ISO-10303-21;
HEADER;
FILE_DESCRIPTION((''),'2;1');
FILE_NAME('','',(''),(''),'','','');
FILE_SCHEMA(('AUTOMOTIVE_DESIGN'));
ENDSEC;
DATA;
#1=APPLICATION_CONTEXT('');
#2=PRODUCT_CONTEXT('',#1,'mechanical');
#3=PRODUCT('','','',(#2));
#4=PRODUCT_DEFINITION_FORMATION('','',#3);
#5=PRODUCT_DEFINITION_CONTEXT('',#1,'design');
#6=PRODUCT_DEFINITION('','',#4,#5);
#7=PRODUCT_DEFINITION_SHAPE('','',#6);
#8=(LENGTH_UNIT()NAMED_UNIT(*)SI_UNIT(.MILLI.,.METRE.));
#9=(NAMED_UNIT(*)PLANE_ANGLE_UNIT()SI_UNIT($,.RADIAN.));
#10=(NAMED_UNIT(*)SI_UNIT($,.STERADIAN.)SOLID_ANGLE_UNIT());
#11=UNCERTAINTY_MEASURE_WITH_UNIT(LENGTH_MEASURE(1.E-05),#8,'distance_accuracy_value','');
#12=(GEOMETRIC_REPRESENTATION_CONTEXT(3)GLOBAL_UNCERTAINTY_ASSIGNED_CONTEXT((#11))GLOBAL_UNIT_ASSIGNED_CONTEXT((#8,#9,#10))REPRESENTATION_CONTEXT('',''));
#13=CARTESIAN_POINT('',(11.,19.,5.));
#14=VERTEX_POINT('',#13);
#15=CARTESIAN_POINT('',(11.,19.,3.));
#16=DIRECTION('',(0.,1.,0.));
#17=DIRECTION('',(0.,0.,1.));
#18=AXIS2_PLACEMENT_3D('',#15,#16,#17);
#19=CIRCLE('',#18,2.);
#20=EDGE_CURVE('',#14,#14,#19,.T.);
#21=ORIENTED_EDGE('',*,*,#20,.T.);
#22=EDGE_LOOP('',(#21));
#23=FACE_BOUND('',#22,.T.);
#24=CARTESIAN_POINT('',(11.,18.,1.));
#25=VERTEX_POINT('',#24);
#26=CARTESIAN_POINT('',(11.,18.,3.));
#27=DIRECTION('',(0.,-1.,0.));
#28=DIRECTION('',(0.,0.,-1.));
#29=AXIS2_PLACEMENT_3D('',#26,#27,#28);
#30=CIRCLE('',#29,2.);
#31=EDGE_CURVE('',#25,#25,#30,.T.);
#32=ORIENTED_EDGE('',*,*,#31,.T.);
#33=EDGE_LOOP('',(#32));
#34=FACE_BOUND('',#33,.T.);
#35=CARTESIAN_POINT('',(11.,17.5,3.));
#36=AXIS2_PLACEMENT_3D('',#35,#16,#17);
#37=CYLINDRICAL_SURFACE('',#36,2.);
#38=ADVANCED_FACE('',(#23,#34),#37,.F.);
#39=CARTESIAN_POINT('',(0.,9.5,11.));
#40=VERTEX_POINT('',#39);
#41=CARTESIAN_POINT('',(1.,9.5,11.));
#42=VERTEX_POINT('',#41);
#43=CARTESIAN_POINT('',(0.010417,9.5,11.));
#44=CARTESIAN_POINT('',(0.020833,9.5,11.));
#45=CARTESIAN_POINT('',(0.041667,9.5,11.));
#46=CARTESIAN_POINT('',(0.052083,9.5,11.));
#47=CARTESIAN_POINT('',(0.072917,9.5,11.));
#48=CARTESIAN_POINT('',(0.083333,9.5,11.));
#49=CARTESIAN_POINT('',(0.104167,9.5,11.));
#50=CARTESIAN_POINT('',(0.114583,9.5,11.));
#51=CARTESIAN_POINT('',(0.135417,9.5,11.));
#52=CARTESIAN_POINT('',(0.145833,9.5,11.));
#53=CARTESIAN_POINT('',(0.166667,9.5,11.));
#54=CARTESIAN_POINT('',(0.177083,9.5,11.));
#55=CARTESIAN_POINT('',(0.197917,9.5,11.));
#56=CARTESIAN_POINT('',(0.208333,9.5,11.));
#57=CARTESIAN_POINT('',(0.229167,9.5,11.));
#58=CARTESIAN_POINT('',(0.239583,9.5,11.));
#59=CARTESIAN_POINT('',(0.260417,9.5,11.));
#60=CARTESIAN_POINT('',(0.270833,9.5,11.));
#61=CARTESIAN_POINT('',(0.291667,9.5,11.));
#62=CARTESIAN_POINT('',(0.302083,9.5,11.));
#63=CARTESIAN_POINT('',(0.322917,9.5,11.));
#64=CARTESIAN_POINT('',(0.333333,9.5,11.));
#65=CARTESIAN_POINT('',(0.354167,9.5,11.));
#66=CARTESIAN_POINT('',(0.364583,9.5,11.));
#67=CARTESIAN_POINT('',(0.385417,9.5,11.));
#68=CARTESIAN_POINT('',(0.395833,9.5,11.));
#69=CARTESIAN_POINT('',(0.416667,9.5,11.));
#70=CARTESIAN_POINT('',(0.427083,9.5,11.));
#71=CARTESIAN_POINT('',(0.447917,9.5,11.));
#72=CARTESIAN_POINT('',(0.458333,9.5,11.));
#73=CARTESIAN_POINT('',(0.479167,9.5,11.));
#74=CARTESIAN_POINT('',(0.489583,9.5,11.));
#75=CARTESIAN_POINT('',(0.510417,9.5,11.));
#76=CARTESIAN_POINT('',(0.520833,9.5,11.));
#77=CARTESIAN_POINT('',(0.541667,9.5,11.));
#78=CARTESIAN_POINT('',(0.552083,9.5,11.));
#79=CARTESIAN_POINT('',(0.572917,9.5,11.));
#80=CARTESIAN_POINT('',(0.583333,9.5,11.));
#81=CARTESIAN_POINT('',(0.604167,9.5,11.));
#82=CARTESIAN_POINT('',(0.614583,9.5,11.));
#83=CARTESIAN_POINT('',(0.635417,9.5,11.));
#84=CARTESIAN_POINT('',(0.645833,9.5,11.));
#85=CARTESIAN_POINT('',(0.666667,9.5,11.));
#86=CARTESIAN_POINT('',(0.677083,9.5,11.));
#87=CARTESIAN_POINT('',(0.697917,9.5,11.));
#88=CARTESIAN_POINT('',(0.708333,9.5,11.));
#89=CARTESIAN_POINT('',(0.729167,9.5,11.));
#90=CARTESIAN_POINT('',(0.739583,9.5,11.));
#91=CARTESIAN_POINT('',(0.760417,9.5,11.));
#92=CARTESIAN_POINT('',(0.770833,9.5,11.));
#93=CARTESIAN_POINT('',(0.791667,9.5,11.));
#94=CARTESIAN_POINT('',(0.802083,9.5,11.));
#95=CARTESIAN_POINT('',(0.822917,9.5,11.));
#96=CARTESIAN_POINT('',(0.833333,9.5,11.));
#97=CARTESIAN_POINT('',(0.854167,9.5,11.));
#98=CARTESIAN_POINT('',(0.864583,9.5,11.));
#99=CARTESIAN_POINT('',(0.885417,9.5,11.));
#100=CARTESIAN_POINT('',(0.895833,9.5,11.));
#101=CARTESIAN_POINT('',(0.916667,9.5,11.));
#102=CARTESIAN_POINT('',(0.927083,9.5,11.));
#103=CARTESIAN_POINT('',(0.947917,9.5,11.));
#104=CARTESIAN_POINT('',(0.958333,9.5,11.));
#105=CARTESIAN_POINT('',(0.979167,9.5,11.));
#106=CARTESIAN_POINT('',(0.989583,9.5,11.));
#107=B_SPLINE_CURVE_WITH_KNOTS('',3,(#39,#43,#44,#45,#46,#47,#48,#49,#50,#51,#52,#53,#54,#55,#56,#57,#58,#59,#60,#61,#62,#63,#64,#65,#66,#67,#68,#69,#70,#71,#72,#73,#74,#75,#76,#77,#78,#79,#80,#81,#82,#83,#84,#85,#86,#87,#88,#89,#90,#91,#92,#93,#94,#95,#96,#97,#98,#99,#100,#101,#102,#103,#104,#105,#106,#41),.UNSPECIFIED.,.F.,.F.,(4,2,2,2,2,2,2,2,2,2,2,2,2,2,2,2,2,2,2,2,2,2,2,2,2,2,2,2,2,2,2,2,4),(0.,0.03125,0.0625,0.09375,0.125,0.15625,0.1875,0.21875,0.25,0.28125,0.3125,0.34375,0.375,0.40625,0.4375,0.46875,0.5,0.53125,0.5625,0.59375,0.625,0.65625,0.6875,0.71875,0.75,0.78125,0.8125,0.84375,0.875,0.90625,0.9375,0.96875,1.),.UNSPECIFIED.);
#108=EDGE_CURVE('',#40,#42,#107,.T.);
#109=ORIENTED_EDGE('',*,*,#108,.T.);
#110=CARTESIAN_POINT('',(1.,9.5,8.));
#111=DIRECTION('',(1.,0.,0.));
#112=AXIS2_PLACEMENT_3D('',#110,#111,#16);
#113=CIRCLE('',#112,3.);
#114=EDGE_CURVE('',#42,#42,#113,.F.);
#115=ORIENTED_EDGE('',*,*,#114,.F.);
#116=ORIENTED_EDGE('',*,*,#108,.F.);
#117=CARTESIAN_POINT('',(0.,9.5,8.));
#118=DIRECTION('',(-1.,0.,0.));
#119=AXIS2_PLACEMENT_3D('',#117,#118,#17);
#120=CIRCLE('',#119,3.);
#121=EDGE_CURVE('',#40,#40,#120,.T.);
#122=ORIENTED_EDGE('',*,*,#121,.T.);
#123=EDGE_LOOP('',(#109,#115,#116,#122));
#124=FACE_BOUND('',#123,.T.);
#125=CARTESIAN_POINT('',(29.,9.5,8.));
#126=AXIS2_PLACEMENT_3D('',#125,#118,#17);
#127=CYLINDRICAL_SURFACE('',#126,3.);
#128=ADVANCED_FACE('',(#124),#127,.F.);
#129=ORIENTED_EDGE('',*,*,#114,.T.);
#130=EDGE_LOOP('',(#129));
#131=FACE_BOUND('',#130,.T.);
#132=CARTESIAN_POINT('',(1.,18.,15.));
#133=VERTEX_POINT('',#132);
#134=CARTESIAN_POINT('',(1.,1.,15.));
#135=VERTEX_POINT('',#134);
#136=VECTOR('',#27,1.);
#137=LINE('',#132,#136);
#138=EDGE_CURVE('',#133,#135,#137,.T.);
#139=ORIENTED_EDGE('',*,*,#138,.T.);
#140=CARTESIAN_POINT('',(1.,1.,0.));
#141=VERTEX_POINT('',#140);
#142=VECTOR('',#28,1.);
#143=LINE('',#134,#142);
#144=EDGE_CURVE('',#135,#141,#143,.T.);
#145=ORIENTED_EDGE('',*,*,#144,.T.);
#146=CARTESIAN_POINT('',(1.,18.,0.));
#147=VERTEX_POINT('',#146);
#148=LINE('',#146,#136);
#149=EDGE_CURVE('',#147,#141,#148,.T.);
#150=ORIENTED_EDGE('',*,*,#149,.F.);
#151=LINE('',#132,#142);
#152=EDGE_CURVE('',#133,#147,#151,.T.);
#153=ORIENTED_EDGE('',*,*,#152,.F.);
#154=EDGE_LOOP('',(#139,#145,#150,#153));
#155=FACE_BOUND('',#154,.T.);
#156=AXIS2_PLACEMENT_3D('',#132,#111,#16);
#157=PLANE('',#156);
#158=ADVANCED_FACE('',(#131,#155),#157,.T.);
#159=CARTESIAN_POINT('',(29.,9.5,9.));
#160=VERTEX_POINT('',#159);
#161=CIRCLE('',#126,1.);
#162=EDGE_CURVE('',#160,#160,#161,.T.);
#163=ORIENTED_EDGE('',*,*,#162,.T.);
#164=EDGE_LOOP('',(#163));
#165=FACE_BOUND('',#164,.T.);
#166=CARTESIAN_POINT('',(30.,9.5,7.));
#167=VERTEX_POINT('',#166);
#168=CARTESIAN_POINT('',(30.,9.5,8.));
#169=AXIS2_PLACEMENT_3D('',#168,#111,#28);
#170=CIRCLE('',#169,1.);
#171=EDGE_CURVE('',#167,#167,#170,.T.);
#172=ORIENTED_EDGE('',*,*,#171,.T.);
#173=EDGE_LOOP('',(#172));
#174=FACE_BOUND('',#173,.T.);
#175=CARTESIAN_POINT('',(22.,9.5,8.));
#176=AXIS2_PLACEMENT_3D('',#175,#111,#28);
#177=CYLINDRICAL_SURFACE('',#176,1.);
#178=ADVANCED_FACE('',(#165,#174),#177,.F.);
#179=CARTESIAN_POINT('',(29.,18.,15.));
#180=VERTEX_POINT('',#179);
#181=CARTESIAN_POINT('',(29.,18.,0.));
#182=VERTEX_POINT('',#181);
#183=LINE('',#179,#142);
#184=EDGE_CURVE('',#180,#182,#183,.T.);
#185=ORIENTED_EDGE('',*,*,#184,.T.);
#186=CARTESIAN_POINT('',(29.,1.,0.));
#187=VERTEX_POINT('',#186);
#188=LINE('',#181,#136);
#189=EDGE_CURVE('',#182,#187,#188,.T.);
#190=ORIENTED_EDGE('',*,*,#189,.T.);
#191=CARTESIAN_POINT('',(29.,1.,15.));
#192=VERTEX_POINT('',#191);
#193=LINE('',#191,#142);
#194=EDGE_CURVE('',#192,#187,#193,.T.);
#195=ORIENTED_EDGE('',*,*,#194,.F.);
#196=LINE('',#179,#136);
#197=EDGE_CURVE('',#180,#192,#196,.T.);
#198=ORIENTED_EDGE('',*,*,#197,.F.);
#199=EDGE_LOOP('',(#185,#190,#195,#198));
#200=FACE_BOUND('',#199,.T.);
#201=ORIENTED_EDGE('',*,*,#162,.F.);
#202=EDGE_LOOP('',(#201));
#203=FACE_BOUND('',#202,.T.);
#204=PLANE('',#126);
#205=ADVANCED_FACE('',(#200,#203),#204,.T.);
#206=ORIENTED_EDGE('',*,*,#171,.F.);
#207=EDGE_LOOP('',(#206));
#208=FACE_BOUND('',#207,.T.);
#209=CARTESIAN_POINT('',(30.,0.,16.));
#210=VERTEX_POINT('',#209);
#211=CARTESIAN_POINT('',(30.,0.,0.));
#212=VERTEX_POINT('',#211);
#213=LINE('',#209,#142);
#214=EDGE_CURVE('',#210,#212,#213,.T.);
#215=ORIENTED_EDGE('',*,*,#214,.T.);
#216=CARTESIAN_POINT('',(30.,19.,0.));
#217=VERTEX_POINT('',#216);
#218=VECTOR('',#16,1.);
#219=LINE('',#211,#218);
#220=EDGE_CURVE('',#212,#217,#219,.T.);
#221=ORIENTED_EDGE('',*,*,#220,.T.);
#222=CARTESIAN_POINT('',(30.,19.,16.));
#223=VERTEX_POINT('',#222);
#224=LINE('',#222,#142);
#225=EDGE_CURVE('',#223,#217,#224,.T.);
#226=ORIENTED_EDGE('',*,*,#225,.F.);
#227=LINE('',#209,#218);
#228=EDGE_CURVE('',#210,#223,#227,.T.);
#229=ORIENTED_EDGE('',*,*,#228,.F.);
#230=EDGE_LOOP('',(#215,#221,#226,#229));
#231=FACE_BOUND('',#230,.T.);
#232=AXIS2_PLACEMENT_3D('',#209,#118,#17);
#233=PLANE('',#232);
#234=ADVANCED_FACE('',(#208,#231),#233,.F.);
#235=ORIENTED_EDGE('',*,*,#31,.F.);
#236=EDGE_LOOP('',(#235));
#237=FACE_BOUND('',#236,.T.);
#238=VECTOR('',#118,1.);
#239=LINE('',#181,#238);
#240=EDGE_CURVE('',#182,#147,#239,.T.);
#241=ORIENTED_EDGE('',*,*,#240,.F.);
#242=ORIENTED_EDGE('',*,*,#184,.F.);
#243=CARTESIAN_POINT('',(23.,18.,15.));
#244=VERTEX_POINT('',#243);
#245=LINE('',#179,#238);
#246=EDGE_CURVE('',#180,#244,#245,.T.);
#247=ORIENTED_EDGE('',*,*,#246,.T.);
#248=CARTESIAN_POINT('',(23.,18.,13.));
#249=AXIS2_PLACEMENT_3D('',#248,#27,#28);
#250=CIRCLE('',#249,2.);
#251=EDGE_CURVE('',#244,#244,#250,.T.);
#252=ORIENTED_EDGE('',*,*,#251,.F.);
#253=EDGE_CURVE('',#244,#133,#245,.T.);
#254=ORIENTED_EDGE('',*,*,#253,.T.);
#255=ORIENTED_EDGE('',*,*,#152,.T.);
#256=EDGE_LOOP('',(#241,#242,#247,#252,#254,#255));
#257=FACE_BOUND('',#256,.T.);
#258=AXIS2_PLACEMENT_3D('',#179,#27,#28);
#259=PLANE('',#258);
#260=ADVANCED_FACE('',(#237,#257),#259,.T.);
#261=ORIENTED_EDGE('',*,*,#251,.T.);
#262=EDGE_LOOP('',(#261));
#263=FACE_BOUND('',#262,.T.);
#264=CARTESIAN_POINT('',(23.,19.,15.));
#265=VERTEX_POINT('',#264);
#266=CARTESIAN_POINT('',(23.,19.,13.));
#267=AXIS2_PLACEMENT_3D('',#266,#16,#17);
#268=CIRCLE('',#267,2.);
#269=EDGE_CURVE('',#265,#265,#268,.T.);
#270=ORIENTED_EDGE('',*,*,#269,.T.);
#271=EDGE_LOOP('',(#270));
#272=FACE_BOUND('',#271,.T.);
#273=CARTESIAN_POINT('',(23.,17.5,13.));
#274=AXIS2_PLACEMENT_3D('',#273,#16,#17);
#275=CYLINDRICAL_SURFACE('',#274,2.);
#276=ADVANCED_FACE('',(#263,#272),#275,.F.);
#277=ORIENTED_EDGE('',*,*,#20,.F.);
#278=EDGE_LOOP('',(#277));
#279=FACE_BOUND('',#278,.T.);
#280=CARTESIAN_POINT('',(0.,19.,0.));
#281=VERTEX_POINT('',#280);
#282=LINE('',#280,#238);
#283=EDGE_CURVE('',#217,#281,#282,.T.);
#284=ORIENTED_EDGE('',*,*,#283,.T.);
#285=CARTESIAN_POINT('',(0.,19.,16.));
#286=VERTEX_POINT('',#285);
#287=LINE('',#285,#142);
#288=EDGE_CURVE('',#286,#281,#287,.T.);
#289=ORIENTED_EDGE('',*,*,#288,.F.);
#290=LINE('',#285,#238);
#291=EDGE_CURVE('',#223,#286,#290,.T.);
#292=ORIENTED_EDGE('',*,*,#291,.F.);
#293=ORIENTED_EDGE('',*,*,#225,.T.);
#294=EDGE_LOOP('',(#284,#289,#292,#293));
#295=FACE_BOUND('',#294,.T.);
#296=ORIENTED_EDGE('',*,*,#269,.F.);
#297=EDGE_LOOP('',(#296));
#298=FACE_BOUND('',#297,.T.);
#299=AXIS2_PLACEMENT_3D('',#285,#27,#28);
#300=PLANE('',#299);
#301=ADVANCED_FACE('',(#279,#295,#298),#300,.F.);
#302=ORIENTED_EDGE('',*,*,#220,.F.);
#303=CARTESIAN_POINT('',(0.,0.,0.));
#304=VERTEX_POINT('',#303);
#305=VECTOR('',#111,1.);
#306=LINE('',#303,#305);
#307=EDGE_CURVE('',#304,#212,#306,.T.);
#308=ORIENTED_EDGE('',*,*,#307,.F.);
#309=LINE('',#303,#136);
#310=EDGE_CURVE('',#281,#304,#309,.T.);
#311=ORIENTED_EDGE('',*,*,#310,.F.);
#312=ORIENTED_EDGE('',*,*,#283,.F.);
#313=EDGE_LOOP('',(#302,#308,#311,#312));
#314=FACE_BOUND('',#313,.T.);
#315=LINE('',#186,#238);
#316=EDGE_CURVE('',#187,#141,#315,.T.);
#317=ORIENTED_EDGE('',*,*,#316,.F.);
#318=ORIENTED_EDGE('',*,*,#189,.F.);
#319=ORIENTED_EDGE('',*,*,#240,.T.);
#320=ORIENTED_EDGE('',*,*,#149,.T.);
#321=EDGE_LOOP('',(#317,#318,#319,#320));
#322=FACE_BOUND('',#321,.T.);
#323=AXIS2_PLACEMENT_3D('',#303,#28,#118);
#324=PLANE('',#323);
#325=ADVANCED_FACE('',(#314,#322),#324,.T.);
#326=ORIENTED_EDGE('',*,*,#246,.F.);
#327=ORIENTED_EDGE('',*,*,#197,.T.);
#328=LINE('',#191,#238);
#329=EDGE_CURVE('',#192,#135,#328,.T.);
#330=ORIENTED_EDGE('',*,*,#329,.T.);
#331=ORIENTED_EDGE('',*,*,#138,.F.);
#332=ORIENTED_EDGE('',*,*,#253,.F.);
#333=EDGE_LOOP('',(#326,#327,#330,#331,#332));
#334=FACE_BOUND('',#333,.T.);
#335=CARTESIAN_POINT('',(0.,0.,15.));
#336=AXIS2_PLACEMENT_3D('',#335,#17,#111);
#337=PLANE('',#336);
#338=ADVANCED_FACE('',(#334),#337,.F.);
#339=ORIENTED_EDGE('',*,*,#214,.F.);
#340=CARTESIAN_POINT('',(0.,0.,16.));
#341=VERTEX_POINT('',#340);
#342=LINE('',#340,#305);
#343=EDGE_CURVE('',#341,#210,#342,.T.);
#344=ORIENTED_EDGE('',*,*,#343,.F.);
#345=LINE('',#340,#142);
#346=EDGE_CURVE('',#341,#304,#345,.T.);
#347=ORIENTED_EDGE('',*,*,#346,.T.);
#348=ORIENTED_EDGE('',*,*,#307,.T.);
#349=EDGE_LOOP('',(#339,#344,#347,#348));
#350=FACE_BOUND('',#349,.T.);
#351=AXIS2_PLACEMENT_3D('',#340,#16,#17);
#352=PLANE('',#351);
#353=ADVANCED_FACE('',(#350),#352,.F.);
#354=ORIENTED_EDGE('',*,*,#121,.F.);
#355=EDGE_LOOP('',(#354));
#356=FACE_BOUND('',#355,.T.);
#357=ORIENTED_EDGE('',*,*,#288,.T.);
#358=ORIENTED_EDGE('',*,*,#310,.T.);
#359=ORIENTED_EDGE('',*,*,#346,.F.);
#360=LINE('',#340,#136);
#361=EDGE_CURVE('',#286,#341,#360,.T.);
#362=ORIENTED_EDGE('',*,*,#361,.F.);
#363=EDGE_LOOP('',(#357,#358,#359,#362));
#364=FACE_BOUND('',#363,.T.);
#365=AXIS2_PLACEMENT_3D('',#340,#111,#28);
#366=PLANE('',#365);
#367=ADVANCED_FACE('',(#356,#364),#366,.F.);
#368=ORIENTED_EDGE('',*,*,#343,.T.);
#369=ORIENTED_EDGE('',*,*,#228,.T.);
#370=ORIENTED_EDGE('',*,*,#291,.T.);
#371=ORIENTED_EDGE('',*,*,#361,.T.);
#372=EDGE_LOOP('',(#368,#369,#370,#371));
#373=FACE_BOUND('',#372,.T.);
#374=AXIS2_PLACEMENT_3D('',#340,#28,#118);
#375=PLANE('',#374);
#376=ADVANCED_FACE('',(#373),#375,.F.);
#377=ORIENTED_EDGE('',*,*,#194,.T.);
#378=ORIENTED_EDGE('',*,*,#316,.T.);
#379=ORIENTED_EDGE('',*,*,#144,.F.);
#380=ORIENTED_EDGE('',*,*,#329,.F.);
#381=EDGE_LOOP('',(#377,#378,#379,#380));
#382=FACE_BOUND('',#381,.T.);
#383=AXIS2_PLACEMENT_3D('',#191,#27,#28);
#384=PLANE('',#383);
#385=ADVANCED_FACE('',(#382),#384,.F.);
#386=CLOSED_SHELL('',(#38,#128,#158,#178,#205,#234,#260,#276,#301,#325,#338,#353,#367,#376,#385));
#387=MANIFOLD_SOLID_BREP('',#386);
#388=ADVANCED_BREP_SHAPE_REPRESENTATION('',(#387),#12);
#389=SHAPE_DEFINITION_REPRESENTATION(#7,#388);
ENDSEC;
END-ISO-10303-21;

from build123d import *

# Parameters (mm, degrees)
ESQUISSE1_W             = 30
ESQUISSE1_H             = 19
BOSS_EXTRU_1_DEPTH      = 16
ESQUISSE2_R             = 3
ENL_V_MAT_EXTRU_2_DEPTH = 29
ESQUISSE3_R             = 1
ENL_V_MAT_EXTRU_3_DEPTH = 8
ESQUISSE7_W             = 28
ESQUISSE7_H             = 17
ENL_V_MAT_EXTRU_4_DEPTH = 15
ESQUISSE8_R             = 2
ENL_V_MAT_EXTRU_7_DEPTH = 1.5


with BuildPart() as part:
    # Esquisse1 → Boss.-Extru.1 (new body)
    with BuildSketch(Plane.XY):
        with Locations((15, 9.5)):
            Rectangle(ESQUISSE1_W, ESQUISSE1_H)
    extrude(amount=BOSS_EXTRU_1_DEPTH)

    # Esquisse2 → Enlèv. mat.-Extru.2 (cut)
    with BuildSketch(Plane.ZY):
        with Locations((8, 9.5)):
            Circle(ESQUISSE2_R)
    extrude(amount=-ENL_V_MAT_EXTRU_2_DEPTH, mode=Mode.SUBTRACT)

    # Esquisse3 → Enlèv. mat.-Extru.3 (cut)
    with BuildSketch(Plane(origin=(30, 0, 0), x_dir=(0, 0, -1), z_dir=(1, 0, 0))):
        with Locations((-8, 9.5)):
            Circle(ESQUISSE3_R)
    extrude(amount=-ENL_V_MAT_EXTRU_3_DEPTH, mode=Mode.SUBTRACT)

    # Esquisse7 → Enlèv. mat.-Extru.4 (cut)
    with BuildSketch(Plane(origin=(0, 0, 0), x_dir=(-1, 0, 0), z_dir=(0, 0, -1))):
        with Locations((-15, 9.5)):
            Rectangle(ESQUISSE7_W, ESQUISSE7_H)
    extrude(amount=-ENL_V_MAT_EXTRU_4_DEPTH, mode=Mode.SUBTRACT)

    # Esquisse8 → Enlèv. mat.-Extru.7 (cut)
    with BuildSketch(Plane(origin=(0, 19, 0), x_dir=(1, 0, 0), z_dir=(0, 1, 0))):
        with Locations(Location((23, -13, 0), (0, 0, 270))):
            Circle(ESQUISSE8_R)
        with Locations(Location((11, -3, 0), (0, 0, 270))):
            Circle(ESQUISSE8_R)
    extrude(amount=-ENL_V_MAT_EXTRU_7_DEPTH, mode=Mode.SUBTRACT)


solid = part.part
